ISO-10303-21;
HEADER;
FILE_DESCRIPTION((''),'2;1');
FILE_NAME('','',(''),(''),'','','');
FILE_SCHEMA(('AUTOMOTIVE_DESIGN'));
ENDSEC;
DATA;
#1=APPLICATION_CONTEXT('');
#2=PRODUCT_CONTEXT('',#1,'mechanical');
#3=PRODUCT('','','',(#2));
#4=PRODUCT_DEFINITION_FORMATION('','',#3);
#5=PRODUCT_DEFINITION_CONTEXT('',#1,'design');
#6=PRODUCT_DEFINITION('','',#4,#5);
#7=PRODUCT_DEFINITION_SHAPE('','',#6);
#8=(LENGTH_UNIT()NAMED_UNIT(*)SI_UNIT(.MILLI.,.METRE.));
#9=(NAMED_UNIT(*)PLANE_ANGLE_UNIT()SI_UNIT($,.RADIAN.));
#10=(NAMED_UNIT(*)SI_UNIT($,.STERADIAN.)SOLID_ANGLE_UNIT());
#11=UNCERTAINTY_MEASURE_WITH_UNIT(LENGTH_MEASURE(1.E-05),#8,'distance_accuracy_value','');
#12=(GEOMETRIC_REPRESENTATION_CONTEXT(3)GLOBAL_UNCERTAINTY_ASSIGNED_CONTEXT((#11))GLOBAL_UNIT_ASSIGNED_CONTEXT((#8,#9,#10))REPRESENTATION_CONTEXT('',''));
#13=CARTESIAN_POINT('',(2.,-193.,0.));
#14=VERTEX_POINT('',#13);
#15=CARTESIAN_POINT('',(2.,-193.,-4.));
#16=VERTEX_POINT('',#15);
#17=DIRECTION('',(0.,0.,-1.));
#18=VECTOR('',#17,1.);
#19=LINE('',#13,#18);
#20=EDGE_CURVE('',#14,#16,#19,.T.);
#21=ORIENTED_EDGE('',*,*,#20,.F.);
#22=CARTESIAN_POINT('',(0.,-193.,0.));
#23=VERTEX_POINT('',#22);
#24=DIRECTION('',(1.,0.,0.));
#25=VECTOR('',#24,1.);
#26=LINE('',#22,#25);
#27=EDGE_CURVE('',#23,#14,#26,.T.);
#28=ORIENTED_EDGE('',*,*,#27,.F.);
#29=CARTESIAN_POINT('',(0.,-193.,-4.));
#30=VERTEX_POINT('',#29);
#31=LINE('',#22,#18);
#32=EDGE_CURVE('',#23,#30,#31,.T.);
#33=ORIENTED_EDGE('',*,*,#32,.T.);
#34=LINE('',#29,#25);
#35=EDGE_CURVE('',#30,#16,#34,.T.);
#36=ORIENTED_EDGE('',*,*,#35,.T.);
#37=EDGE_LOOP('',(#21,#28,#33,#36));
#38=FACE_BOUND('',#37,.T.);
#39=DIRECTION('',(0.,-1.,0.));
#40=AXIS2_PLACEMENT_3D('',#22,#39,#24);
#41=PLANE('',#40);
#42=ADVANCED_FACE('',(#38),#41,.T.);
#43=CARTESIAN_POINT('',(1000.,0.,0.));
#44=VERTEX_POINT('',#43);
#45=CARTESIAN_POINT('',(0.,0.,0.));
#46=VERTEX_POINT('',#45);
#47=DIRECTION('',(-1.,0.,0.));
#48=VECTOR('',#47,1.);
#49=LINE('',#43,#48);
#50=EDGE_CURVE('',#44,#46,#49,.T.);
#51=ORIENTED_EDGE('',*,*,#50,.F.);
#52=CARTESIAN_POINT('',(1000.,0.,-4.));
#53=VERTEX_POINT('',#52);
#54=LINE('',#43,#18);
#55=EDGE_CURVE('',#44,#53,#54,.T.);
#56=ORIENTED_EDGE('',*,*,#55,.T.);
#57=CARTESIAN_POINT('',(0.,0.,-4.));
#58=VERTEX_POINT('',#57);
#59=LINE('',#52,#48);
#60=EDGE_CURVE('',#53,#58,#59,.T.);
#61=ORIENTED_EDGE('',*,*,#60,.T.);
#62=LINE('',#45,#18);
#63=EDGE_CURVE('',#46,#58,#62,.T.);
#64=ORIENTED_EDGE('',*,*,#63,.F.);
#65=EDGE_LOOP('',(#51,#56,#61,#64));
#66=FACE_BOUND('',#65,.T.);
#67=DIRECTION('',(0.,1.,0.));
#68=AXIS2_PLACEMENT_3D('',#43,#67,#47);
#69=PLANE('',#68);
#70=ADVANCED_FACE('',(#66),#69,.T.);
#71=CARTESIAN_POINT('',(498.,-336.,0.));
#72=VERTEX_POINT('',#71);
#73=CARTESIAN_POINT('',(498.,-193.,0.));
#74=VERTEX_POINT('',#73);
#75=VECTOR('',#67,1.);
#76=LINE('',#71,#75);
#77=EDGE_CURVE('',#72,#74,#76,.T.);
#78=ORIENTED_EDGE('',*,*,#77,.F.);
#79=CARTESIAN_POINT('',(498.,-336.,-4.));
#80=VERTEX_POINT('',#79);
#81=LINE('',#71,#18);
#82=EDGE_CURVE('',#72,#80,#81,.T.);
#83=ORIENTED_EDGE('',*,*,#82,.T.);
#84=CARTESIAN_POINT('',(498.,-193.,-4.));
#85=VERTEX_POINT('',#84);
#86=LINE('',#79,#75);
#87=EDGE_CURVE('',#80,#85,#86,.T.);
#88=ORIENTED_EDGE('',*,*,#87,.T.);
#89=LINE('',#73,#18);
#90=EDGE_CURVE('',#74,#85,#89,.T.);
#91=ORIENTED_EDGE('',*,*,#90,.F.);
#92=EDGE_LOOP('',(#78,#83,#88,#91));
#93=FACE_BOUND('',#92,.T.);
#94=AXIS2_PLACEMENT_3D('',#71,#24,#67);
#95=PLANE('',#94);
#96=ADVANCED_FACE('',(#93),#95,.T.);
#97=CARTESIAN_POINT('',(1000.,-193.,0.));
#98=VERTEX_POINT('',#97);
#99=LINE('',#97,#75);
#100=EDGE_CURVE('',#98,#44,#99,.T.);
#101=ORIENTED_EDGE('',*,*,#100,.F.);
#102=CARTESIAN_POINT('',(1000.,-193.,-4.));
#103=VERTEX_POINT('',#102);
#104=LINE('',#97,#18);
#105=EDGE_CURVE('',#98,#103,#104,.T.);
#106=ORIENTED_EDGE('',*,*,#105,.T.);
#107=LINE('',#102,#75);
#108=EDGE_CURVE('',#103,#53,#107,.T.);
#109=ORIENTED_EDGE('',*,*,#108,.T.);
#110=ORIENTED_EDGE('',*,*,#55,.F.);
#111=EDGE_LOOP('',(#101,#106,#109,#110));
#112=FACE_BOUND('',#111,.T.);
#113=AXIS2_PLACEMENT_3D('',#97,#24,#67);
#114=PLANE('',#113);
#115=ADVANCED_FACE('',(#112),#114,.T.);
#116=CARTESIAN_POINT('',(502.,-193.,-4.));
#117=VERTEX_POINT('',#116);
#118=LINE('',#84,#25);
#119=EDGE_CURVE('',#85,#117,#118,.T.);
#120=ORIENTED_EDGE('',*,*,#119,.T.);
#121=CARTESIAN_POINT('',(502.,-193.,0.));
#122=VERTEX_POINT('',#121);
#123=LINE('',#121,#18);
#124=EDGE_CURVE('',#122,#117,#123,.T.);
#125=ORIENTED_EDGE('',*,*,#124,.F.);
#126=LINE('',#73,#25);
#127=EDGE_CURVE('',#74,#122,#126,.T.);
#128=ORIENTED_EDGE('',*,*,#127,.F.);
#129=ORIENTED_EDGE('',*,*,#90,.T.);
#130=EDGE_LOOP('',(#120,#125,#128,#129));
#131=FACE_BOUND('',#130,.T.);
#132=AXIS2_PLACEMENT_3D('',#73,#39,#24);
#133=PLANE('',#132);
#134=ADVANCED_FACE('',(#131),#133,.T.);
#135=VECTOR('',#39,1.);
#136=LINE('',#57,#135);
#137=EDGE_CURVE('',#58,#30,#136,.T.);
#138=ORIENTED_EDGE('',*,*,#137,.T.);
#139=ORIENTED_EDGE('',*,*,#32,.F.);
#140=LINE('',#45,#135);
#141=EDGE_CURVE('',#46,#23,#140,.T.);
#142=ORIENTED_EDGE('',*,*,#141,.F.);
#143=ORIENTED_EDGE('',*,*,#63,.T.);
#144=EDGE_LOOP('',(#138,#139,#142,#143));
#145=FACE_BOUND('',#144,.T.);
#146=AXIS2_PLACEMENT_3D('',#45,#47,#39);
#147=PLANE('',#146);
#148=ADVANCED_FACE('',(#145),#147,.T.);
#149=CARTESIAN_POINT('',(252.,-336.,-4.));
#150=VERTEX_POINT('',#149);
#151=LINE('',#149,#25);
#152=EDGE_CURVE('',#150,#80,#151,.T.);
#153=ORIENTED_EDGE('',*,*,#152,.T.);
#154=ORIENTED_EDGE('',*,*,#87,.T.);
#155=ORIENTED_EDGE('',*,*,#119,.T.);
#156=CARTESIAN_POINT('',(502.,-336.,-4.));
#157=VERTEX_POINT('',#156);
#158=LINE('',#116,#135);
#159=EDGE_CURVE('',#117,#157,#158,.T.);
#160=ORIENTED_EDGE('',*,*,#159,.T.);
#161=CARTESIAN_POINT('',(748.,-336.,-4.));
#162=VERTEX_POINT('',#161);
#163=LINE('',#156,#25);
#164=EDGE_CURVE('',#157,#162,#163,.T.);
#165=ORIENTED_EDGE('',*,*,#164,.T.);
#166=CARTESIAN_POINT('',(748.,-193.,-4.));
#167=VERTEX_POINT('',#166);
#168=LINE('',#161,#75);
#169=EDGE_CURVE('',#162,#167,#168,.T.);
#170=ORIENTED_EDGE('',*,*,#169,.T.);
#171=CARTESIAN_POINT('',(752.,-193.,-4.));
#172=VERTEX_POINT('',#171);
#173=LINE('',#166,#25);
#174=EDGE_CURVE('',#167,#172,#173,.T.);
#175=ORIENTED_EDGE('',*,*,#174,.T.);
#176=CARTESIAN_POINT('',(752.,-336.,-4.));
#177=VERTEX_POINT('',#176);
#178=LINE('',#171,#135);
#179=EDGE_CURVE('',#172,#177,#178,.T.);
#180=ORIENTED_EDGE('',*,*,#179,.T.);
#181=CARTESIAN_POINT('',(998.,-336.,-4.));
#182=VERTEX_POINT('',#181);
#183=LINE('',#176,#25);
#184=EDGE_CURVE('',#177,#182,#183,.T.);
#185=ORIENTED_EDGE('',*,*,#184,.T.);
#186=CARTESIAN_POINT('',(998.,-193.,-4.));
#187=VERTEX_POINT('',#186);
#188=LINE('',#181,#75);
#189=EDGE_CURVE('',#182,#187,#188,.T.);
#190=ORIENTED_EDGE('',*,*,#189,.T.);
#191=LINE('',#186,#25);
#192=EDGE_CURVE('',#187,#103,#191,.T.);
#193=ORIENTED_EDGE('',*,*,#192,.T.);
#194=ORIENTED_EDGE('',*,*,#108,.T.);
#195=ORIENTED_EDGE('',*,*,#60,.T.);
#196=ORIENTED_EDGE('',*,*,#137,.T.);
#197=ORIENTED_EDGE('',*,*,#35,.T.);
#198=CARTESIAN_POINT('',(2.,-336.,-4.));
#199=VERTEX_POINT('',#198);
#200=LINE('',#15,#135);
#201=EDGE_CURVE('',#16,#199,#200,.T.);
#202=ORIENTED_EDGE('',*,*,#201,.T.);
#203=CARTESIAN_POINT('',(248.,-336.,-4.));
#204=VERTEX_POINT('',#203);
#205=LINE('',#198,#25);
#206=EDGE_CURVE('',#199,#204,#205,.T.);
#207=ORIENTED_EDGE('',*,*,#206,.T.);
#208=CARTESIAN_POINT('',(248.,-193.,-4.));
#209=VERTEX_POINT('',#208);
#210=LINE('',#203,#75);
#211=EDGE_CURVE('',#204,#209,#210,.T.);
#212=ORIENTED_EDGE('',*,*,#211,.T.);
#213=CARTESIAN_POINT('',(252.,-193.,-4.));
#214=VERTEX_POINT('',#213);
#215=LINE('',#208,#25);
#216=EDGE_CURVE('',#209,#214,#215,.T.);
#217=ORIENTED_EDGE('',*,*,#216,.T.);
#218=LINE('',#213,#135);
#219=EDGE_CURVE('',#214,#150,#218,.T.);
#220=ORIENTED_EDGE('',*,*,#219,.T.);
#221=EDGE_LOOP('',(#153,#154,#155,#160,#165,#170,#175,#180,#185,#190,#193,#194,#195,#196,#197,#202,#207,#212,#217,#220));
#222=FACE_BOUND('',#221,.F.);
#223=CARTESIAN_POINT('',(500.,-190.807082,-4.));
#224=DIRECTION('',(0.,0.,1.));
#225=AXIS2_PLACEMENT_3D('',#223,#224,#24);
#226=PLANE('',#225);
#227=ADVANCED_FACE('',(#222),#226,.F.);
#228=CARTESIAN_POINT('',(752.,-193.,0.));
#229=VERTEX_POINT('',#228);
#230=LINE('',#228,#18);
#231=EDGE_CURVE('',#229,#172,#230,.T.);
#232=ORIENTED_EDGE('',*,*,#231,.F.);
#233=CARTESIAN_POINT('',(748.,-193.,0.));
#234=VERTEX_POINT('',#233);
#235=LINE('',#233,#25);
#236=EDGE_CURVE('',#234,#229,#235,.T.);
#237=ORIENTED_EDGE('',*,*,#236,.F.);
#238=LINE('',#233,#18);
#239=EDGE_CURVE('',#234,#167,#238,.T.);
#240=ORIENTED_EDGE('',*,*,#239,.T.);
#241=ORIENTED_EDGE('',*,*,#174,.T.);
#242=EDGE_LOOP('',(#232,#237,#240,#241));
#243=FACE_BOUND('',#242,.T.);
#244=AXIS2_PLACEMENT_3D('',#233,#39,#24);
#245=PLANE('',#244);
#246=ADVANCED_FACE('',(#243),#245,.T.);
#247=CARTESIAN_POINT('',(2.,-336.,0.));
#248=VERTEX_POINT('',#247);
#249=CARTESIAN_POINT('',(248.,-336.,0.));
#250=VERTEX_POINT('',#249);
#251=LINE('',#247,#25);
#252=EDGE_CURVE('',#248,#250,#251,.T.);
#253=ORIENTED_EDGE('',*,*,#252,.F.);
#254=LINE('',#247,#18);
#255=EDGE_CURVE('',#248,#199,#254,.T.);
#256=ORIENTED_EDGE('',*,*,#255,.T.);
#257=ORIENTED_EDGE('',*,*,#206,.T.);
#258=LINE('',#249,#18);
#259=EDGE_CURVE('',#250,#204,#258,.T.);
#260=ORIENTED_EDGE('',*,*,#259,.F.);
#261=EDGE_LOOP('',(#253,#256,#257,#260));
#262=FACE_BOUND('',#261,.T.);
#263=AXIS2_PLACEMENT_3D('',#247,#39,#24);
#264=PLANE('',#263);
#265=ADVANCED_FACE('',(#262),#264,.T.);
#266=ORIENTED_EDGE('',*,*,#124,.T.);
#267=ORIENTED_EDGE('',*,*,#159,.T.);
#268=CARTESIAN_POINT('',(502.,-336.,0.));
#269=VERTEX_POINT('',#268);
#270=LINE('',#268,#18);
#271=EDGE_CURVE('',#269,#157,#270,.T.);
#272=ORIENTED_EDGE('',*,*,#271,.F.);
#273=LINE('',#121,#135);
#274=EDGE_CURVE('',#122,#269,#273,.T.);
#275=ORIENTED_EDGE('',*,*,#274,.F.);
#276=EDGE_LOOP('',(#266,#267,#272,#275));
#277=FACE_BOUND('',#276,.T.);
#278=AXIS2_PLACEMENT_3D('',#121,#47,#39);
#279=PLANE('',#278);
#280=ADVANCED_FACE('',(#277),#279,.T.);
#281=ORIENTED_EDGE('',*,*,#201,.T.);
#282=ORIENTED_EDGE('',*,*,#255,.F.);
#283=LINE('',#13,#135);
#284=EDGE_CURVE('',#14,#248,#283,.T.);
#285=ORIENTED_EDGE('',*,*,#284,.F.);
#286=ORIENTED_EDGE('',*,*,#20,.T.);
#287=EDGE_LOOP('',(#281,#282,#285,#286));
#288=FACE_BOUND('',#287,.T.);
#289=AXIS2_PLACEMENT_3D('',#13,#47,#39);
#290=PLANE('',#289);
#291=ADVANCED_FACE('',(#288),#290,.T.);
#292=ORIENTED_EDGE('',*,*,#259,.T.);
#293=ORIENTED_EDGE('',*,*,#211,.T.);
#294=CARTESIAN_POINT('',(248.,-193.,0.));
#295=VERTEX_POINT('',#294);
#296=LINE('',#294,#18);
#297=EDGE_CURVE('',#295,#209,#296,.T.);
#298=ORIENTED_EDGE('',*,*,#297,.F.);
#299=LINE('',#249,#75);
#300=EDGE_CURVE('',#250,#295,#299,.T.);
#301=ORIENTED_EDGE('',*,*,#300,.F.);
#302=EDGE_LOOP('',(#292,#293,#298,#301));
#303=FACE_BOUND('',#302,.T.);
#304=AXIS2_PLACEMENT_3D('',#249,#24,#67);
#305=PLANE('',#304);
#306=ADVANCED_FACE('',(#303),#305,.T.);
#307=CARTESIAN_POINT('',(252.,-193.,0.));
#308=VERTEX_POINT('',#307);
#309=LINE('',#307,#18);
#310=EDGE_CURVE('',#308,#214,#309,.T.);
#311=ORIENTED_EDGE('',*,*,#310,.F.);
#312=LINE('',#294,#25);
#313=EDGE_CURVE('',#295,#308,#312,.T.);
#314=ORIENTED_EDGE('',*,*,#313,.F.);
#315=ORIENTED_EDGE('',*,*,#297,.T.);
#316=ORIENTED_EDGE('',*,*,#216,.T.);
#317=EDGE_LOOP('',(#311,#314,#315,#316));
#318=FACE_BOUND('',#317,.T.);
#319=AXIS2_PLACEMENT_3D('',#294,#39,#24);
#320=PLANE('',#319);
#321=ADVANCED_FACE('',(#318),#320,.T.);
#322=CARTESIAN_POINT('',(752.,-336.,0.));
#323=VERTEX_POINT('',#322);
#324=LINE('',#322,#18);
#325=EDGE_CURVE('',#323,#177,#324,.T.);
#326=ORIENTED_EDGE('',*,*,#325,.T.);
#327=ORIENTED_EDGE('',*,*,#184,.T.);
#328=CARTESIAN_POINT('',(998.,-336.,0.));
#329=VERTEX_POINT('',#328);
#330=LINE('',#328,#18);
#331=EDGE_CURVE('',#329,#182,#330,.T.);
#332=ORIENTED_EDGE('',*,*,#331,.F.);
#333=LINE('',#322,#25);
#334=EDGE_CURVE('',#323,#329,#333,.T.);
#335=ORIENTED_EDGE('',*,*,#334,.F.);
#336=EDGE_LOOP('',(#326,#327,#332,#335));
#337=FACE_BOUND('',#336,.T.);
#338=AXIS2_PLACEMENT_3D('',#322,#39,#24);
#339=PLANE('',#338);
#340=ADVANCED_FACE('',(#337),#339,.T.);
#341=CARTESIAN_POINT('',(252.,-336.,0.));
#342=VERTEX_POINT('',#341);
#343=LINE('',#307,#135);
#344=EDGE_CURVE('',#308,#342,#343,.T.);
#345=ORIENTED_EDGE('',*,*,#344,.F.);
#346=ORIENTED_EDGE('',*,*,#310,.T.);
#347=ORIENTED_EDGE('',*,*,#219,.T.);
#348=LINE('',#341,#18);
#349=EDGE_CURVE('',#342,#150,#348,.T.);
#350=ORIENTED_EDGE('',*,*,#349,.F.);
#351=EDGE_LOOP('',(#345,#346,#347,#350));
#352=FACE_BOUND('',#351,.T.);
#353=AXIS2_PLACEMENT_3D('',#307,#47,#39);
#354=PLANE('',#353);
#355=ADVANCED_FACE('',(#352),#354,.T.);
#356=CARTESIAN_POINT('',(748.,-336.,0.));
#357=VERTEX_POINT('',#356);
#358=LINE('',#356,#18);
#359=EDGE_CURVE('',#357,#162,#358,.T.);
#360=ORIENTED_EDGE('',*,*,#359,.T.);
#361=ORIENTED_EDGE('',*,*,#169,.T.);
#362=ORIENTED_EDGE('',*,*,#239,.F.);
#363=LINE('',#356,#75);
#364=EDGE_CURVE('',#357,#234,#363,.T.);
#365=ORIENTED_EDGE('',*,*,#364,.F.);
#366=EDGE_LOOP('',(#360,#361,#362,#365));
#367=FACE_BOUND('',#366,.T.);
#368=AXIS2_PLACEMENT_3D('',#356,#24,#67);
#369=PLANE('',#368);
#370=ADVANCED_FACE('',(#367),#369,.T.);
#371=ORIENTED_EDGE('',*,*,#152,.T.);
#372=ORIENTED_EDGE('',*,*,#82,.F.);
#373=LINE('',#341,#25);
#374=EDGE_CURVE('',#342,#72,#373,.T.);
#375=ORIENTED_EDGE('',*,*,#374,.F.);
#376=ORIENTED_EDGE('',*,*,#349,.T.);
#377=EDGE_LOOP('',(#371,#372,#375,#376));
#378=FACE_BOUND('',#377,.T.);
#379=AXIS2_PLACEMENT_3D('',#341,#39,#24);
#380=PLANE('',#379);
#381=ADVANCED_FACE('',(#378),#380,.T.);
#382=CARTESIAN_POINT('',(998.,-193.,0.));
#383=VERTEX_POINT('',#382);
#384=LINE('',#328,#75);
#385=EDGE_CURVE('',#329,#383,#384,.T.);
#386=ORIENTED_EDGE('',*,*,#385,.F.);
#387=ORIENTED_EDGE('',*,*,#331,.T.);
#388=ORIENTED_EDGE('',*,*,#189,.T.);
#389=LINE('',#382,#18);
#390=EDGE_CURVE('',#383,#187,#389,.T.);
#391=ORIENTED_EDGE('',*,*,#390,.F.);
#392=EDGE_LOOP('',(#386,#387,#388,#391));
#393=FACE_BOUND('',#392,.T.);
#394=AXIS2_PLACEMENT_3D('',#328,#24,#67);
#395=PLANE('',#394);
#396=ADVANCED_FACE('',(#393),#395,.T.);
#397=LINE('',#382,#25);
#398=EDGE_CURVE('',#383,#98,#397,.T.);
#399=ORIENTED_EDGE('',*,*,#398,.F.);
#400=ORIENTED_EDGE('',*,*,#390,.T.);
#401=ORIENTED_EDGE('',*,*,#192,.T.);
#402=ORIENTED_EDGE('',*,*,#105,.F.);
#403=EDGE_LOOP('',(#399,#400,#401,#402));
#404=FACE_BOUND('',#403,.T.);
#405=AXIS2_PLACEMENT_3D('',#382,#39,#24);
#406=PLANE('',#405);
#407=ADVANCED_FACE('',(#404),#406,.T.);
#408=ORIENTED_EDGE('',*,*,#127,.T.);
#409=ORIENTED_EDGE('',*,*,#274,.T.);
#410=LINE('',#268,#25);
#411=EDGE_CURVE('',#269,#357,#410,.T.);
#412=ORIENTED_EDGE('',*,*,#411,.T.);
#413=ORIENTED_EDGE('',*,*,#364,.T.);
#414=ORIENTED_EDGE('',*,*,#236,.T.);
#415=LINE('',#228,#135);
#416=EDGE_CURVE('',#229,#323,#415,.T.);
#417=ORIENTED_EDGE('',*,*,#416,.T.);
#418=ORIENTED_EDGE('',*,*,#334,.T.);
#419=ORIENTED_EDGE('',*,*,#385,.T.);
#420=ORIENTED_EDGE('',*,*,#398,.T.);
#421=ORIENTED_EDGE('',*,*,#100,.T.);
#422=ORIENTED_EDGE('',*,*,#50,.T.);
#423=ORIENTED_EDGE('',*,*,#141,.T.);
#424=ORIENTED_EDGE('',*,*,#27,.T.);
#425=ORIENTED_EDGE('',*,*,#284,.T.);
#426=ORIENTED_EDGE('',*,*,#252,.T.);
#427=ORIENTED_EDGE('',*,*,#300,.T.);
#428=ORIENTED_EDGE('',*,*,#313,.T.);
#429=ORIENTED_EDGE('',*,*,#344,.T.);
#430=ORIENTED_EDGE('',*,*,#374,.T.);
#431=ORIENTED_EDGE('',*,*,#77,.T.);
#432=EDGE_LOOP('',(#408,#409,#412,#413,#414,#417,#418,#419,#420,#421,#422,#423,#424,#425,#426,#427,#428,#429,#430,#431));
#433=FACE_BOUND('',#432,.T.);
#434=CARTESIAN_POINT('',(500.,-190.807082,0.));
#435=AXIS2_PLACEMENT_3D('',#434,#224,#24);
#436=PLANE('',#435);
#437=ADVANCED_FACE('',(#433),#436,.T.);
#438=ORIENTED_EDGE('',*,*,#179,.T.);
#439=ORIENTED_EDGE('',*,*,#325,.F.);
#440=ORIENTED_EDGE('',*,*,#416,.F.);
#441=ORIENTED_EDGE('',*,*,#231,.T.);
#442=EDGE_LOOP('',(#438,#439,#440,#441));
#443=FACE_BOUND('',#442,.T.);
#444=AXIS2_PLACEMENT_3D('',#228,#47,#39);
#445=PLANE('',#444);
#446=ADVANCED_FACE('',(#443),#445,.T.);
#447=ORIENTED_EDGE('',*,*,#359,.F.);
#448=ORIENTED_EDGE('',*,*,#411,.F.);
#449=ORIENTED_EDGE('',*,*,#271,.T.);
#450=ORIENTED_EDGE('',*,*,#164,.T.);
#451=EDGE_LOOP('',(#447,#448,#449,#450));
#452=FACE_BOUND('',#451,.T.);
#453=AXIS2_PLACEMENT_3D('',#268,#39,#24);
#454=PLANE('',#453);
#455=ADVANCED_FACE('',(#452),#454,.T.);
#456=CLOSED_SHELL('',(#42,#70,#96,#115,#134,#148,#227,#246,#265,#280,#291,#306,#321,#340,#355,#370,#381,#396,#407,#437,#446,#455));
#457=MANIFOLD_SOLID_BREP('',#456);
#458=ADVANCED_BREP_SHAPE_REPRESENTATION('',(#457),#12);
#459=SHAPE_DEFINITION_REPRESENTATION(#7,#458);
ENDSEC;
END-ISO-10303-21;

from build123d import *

# Parameters (mm, degrees)
F1_DEPTH = 4


with BuildPart() as f1:
    # F0 (on Top) → F1 (new body)
    with BuildSketch(Plane.XY):
        Polygon((1000, 0), (0, 0), (0, -193), (2, -193), (2, -336), (248, -336), (248, -193), (250, -193), (252, -193), (252, -336), (498, -336), (498, -193), (500, -193), (502, -193), (502, -336), (748, -336), (748, -193), (750, -193), (752, -193), (752, -336), (998, -336), (998, -193), (1000, -193), align=None)
    extrude(amount=-F1_DEPTH)


solid = f1.part
